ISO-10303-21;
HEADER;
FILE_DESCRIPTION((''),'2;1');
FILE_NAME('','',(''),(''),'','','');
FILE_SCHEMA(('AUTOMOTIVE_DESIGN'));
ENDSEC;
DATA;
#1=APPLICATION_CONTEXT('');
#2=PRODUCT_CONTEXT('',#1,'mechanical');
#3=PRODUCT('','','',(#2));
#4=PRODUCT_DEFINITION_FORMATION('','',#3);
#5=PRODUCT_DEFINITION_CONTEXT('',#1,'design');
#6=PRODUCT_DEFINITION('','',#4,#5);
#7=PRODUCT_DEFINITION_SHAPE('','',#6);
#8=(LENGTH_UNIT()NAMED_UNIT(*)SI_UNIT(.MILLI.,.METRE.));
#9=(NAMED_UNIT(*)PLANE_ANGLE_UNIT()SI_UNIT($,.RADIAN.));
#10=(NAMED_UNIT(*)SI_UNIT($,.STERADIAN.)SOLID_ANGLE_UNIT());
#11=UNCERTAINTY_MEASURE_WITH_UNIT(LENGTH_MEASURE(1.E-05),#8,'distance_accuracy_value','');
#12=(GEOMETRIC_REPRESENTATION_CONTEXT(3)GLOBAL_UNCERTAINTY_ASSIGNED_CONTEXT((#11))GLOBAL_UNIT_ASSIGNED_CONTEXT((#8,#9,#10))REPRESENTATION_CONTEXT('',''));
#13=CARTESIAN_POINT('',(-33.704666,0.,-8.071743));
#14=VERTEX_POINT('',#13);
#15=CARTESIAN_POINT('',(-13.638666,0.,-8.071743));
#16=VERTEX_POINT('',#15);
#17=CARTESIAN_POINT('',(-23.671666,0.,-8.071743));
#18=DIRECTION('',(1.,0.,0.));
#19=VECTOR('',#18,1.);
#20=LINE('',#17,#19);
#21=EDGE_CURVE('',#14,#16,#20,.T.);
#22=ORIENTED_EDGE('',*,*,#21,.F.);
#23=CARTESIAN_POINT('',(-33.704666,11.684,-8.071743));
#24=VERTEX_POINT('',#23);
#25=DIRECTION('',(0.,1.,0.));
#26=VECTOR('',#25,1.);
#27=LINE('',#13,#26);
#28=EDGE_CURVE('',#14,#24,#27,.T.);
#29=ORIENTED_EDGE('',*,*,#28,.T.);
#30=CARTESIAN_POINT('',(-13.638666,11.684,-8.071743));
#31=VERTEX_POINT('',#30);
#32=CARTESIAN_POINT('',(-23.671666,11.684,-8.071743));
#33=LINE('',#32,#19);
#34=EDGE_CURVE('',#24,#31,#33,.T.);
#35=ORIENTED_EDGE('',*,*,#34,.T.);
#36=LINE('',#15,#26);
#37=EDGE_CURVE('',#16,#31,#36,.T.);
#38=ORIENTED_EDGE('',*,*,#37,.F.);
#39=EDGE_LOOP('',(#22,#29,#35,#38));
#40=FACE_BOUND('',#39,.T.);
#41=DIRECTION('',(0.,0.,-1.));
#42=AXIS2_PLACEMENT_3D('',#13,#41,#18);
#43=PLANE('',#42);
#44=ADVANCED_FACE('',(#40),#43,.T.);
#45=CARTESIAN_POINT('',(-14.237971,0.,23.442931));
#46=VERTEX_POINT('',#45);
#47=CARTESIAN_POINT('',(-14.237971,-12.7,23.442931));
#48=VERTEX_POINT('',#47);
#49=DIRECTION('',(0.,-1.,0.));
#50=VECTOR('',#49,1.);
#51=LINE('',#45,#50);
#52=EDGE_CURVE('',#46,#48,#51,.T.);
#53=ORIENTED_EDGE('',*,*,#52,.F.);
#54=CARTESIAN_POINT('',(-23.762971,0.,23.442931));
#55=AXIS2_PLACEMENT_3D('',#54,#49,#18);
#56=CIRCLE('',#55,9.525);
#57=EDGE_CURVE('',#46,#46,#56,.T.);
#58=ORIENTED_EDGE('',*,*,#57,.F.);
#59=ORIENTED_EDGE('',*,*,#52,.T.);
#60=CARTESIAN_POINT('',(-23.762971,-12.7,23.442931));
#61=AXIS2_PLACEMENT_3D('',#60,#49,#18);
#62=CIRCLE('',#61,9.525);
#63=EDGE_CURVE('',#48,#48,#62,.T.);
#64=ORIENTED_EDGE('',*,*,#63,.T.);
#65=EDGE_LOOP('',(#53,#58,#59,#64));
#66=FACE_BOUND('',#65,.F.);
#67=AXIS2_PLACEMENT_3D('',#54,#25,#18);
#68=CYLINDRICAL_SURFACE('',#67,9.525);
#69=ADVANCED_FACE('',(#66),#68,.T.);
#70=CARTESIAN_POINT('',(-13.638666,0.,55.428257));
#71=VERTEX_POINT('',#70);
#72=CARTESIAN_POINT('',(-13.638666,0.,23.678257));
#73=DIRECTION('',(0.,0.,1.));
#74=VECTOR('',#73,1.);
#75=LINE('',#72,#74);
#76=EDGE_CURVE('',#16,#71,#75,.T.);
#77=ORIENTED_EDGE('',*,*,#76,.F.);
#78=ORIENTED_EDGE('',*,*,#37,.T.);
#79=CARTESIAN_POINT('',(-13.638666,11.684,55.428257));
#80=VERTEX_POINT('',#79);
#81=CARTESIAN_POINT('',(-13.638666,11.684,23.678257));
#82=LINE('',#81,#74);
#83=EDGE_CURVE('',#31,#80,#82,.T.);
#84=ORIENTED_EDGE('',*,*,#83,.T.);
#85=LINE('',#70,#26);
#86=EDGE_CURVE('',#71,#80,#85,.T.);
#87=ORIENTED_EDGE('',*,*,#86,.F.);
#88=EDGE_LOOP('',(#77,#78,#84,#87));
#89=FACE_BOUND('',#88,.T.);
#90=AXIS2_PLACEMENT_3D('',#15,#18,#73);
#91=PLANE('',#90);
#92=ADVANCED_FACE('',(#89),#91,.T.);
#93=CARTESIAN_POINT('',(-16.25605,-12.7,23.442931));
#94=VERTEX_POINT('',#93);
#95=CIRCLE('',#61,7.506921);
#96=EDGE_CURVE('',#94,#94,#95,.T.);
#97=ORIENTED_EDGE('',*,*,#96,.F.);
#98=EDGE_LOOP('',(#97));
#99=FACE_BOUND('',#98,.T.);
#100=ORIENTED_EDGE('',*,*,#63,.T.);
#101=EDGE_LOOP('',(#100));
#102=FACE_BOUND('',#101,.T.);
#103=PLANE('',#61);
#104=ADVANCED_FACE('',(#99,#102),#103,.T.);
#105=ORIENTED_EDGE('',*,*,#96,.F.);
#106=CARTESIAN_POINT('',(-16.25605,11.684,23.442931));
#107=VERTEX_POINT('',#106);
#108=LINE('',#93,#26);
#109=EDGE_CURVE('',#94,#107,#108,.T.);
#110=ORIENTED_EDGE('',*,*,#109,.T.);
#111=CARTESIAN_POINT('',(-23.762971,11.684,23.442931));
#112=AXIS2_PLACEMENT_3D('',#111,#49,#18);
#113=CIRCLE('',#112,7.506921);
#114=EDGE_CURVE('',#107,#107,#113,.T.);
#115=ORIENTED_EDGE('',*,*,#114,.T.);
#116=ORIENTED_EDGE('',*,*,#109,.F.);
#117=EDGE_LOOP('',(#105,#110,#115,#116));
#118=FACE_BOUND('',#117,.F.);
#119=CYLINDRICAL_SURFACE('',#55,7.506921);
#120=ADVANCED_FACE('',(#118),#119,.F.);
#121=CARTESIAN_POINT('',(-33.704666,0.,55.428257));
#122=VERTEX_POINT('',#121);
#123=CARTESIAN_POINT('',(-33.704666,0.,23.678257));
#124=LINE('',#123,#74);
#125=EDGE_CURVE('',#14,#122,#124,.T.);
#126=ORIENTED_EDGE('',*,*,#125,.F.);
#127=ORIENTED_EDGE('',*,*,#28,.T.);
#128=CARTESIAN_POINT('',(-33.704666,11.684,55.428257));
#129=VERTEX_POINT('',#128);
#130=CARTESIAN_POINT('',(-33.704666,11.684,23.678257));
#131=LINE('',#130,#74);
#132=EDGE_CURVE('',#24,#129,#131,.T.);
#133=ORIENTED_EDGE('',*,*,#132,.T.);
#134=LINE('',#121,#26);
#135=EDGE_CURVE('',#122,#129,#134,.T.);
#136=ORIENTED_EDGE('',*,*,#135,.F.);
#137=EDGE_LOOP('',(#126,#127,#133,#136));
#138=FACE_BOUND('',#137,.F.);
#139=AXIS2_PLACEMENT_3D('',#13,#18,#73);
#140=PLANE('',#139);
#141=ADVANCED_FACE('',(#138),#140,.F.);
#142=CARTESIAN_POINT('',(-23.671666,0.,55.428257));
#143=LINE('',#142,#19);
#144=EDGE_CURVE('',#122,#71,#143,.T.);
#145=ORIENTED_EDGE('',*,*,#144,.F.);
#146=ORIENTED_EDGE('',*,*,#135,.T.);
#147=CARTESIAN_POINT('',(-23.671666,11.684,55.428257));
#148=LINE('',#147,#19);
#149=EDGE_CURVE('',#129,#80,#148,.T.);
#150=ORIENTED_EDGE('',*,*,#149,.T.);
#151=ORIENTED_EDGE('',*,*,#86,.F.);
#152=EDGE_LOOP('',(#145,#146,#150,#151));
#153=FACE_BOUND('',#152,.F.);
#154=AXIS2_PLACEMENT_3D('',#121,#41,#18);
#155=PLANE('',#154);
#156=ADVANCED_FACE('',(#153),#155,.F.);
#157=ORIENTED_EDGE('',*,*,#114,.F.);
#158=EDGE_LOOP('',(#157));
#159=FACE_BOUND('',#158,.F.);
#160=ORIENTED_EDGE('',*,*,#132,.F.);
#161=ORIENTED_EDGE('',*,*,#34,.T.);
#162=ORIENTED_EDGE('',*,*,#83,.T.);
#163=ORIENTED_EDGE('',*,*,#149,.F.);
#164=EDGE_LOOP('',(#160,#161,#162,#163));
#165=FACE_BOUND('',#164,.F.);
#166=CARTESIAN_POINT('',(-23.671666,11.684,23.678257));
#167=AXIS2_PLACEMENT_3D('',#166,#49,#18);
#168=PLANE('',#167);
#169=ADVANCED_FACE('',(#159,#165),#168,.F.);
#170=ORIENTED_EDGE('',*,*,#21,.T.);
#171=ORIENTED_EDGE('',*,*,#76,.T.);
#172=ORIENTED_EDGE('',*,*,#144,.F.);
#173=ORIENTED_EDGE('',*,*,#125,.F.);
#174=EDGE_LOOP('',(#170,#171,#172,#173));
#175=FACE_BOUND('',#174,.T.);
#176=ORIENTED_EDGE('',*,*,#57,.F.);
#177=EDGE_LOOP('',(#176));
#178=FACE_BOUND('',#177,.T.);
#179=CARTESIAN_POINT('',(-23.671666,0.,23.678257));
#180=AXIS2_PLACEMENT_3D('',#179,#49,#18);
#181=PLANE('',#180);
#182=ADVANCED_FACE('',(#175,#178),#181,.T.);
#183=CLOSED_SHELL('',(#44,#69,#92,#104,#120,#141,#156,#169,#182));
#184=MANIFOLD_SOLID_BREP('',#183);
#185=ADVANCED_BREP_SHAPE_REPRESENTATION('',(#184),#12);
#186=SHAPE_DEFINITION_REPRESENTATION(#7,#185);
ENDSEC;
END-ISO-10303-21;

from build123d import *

# Parameters (mm, degrees)
F0_R      = 9.525
F1_DEPTH  = 12.7
F2_R      = 7.506921
F3_DEPTH  = 25.4
F4_W      = 20.066
F4_H      = 63.5
F5_DEPTH  = 11.684
F5_FACE_R = 7.506921
F6_DEPTH  = 25.4


with BuildPart() as f1:
    # F0 (on Front) → F1 (new body)
    with BuildSketch(Plane.XZ):
        with Locations((-23.762971, 23.442931)):
            Circle(F0_R)
    extrude(amount=F1_DEPTH)

    # F2 (on face) → F3 (cut)
    with BuildSketch(Plane.XZ.offset(12.7)):
        with Locations((-23.762971, 23.442931)):
            Circle(F2_R)
    extrude(amount=-F3_DEPTH, mode=Mode.SUBTRACT)

    # F4 (on Front) → F5 (join)
    with BuildSketch(Plane.XZ):
        with Locations((-23.671666, 23.678257)):
            Rectangle(F4_W, F4_H)
    extrude(amount=-F5_DEPTH)

    # F5_face (on face) → F6 (cut)
    with BuildSketch(Plane(origin=(-23.762971, 0, 23.442931), x_dir=(1, 0, 0), z_dir=(0, -1, 0))):
        Circle(F5_FACE_R)
    extrude(amount=-F6_DEPTH, mode=Mode.SUBTRACT)


solid = f1.part
